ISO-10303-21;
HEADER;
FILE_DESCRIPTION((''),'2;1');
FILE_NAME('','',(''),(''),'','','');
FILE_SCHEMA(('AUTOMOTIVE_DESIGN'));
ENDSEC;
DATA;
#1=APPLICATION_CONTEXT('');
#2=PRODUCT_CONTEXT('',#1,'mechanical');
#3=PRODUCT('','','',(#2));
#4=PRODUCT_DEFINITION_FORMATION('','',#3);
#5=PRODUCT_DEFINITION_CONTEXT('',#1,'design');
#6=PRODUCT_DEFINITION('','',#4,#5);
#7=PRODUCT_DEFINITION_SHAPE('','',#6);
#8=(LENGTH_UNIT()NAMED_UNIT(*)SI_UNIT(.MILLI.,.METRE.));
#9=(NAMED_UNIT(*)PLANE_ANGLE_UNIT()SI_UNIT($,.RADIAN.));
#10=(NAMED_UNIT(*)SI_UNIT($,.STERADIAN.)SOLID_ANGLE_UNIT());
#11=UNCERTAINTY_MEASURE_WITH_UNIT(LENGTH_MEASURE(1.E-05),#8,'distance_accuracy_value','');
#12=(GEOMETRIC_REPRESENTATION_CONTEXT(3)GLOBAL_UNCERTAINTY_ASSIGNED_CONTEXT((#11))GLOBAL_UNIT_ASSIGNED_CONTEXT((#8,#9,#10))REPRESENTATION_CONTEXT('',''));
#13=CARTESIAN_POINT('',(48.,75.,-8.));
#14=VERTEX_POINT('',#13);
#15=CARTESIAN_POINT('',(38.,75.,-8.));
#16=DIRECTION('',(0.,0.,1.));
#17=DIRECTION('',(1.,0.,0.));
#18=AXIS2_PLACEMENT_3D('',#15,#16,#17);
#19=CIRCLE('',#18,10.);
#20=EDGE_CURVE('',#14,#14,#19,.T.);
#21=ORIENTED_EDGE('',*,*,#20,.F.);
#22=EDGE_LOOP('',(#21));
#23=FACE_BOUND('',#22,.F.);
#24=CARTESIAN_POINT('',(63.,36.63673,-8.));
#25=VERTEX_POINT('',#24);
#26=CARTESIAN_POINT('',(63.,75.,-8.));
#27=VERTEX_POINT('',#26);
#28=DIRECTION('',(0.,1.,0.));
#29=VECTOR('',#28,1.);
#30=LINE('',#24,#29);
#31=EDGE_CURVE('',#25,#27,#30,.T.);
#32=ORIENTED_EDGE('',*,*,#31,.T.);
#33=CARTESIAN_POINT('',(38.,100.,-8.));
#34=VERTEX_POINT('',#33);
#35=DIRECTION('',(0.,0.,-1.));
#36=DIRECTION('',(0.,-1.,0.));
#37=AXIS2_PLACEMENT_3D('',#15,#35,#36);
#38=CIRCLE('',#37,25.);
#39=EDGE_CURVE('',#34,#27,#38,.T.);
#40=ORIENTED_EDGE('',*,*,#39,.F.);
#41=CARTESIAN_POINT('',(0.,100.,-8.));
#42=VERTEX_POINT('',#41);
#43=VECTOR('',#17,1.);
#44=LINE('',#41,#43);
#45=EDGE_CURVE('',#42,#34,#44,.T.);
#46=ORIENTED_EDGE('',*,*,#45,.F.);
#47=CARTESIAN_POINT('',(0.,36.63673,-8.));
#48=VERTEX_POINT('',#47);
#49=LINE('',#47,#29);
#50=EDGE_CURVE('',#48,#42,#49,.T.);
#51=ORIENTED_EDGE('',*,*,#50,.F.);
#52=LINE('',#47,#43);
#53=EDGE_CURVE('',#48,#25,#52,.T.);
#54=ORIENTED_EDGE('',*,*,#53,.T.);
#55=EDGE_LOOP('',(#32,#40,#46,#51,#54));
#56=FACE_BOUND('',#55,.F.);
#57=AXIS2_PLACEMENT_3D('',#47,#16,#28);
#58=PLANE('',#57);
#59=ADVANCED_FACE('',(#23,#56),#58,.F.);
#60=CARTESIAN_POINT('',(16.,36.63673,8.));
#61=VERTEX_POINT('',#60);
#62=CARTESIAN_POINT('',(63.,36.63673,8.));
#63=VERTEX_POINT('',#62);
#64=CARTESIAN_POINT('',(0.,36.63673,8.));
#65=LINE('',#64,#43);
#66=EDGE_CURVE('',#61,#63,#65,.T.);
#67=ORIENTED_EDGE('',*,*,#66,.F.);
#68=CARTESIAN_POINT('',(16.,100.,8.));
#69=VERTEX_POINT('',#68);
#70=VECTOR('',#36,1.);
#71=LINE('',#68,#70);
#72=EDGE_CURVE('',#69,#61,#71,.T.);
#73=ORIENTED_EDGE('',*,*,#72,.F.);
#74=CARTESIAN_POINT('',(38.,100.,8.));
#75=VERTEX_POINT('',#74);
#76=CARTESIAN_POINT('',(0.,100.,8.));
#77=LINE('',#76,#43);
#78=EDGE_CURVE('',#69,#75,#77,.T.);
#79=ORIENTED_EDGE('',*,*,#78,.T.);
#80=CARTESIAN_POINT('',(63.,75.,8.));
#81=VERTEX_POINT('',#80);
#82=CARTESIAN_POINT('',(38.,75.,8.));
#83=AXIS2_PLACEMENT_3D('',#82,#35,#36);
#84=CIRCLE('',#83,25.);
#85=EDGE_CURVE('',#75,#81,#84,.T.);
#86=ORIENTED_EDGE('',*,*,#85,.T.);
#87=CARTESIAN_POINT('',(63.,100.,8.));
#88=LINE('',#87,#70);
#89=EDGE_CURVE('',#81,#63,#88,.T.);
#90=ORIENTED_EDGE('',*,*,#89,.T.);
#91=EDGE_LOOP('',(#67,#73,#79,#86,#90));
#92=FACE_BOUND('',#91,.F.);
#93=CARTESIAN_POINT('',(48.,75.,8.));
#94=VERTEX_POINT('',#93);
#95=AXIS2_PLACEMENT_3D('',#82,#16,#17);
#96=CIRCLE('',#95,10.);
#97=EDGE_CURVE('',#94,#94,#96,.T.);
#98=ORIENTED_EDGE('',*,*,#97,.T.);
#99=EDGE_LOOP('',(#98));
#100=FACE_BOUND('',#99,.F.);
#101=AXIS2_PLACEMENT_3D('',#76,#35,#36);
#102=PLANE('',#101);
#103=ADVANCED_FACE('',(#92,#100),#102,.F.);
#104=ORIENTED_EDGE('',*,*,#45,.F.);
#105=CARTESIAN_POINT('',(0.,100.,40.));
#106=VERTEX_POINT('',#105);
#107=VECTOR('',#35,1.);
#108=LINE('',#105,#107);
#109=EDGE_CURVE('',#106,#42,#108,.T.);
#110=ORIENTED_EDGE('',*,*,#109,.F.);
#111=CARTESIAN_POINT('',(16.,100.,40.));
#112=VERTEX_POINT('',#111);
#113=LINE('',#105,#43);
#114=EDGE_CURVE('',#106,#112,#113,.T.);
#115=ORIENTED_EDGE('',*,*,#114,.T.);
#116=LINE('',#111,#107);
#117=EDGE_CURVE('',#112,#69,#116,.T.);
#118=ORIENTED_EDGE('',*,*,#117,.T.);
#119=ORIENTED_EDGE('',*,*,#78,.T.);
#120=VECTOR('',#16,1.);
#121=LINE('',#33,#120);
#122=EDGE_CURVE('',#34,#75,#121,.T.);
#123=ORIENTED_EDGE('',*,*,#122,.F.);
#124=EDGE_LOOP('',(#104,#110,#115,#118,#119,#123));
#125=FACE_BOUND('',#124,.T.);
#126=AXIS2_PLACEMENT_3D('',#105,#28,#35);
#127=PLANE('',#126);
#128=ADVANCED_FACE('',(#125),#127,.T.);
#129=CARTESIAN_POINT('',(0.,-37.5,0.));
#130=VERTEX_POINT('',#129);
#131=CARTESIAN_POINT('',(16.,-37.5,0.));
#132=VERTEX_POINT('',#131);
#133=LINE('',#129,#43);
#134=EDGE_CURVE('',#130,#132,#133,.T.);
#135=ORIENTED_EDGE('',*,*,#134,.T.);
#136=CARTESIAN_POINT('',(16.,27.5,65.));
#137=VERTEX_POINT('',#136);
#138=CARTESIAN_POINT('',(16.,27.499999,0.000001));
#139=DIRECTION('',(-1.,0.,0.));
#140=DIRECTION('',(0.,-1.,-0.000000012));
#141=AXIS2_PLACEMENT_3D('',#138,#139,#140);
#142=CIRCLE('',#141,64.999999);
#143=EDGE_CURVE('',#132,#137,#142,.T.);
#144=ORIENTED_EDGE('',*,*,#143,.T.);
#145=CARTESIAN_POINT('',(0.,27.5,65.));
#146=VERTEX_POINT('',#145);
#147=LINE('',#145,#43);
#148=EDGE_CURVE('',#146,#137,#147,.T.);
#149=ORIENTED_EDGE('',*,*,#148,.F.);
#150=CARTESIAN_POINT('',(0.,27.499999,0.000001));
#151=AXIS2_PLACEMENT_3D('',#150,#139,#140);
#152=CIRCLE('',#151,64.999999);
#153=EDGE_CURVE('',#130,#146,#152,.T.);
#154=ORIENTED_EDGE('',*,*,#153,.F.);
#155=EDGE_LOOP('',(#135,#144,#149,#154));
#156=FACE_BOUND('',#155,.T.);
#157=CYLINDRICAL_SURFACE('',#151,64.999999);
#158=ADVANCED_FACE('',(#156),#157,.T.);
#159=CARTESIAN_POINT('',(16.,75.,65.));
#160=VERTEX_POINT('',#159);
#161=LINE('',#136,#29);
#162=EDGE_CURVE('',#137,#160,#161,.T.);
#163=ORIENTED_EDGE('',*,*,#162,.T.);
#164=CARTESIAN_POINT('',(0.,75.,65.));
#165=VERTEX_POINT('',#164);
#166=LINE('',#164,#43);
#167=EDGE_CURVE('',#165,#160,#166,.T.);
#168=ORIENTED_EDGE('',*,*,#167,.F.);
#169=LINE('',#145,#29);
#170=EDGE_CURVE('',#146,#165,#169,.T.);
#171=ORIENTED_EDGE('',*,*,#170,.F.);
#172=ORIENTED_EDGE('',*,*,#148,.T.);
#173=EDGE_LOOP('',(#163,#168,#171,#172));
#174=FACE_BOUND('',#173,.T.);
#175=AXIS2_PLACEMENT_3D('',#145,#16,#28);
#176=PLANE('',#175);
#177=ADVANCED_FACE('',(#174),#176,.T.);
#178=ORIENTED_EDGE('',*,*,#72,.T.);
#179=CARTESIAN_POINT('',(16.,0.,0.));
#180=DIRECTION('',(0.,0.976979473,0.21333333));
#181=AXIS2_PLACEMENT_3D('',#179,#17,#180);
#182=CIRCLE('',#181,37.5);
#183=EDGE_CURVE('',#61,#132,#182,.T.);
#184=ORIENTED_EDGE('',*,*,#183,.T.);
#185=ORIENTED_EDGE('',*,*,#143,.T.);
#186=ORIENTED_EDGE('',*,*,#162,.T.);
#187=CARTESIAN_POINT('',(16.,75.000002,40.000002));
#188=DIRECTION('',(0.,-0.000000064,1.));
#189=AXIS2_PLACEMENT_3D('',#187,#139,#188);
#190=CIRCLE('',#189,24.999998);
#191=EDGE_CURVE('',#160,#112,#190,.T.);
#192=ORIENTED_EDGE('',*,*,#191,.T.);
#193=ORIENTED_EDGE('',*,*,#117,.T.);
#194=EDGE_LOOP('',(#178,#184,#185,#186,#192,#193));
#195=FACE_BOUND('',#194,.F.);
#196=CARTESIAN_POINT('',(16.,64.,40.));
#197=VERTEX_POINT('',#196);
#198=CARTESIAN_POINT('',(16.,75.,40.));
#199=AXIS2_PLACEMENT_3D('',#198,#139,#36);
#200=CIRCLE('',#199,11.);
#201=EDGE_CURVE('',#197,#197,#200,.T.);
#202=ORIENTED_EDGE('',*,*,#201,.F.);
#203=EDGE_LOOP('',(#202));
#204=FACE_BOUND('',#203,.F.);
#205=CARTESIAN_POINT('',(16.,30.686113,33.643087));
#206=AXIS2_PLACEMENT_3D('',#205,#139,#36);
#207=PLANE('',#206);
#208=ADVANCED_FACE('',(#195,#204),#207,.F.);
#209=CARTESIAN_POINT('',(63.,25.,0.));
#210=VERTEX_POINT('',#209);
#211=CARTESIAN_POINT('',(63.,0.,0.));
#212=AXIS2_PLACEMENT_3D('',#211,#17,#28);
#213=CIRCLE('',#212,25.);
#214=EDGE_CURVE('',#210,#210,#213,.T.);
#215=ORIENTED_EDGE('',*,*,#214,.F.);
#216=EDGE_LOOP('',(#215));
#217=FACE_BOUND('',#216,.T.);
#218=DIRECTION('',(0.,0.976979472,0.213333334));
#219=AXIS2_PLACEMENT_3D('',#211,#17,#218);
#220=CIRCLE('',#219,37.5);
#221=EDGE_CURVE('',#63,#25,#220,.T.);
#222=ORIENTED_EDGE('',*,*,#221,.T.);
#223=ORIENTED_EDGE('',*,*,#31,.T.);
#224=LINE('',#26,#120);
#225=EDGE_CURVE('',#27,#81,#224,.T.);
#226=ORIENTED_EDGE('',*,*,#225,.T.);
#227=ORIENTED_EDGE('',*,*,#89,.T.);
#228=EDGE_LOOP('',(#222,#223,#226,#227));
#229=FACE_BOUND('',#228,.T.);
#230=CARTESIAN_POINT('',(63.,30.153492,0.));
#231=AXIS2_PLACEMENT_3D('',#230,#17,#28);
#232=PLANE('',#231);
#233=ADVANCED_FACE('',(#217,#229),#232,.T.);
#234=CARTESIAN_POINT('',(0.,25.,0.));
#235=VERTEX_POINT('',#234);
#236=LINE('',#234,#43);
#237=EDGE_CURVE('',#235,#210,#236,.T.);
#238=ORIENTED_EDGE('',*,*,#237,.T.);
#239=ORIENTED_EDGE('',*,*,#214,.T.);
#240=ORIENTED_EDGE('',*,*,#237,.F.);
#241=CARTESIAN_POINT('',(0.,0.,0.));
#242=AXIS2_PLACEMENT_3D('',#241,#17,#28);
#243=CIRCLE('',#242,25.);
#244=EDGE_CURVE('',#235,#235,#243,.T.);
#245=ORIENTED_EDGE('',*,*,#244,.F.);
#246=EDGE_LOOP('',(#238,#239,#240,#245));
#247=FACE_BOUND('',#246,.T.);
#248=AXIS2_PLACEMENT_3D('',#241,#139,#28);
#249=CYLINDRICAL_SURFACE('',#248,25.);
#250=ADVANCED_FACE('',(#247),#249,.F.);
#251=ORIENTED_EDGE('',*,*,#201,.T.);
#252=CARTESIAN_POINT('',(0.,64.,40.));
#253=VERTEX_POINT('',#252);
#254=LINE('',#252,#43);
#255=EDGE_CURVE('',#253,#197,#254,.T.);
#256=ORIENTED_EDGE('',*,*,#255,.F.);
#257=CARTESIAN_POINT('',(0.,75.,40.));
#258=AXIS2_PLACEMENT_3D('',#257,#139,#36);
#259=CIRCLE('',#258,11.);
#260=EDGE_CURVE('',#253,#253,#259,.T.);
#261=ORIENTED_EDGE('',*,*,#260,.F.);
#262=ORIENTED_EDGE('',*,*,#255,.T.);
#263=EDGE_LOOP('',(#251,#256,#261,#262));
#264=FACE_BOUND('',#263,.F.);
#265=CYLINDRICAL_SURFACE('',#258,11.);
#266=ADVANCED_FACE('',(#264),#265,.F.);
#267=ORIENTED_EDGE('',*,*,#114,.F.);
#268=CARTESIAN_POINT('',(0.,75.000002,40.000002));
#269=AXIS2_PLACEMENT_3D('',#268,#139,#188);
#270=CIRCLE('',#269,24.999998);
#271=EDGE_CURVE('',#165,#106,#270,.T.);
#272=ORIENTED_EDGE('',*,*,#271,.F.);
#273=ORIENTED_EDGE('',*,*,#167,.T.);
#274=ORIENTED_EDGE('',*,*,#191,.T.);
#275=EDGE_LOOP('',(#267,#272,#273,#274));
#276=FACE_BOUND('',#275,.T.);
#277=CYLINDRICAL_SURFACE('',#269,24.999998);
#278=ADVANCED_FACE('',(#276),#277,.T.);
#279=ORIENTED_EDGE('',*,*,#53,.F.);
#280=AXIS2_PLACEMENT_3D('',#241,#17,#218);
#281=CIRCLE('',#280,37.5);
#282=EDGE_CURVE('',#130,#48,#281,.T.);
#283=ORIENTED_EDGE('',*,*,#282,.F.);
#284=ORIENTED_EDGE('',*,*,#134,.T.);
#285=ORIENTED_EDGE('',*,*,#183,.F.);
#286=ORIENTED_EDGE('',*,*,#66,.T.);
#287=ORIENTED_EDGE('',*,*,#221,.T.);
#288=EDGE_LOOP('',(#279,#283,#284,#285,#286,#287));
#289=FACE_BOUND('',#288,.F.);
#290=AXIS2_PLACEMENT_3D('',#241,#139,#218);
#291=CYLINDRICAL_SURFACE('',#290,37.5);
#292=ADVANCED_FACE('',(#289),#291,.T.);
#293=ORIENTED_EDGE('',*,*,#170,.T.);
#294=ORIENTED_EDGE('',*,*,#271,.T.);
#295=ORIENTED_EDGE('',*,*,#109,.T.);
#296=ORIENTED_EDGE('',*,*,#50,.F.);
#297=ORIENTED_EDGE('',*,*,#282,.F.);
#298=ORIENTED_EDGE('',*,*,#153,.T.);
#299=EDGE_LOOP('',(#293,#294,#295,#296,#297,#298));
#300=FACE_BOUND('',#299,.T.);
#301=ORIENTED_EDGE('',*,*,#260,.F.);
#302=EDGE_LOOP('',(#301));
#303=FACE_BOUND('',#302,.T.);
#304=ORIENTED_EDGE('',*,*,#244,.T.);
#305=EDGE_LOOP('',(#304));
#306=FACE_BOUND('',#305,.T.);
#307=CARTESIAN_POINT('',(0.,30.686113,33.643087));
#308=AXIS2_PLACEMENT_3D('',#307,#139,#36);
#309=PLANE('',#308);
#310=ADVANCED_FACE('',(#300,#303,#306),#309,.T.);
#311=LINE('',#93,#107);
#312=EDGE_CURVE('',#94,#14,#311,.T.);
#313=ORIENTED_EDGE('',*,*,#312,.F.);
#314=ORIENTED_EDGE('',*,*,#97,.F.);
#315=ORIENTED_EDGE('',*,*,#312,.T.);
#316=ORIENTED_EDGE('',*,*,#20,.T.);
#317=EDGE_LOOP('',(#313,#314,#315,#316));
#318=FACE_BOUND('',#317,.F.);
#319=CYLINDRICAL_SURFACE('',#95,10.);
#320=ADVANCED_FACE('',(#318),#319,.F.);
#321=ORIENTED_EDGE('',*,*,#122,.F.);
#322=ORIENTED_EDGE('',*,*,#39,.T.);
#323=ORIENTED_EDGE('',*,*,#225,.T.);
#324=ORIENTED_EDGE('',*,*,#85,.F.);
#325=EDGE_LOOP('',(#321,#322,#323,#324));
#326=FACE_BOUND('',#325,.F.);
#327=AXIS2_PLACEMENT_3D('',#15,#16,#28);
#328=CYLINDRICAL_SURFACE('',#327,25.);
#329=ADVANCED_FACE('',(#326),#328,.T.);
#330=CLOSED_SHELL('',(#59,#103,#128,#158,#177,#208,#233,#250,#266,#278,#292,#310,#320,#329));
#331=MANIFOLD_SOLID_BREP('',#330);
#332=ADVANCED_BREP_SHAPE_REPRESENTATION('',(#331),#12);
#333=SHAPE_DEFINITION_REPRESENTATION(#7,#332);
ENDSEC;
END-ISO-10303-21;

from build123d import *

# Parameters (mm, degrees)
F0_R     = 25
F1_DEPTH = 63
F2_R     = 11
F3_DEPTH = 16
F4_R     = 10
F5_DEPTH = 100
F6_R     = 25


with BuildPart() as f1:
    # F0 (on Right) → F1 (new body)
    with BuildSketch(Plane.YZ):
        with BuildLine():
            Line((100, 8), (36.63673, 8))
            ThreePointArc((36.63673, 8), (-37.5, 0), (36.63673, -8))
            Line((36.63673, -8), (100, -8))
            Line((100, -8), (100, 8))
        make_face()
        Circle(F0_R, mode=Mode.SUBTRACT)
    extrude(amount=F1_DEPTH)

    # F2 (on face) → F3 (join)
    with BuildSketch(Plane(origin=(0, 0, 0), x_dir=(0, -1, 0), z_dir=(-1, 0, 0))):
        with BuildLine():
            Line((-27.5, 65), (-75, 65))
            ThreePointArc((-75, 65), (-92.67767, 57.67767), (-100, 40))
            Line((-100, 40), (-100, 8))
            Line((-100, 8), (-36.63673, 8))
            ThreePointArc((-36.63673, 8), (4.023221, 37.283558), (37.5, 0))
            ThreePointArc((37.5, 0), (18.461941, 45.961941), (-27.5, 65))
        make_face()
        with Locations((-75, 40)):
            Circle(F2_R, mode=Mode.SUBTRACT)
    extrude(amount=-F3_DEPTH)

    # F4 (on face) → F5 (cut)
    with BuildSketch(Plane.XY.offset(8)):
        with Locations((38, 75)):
            Circle(F4_R)
    extrude(amount=-F5_DEPTH, mode=Mode.SUBTRACT)

    # F6
    f6_edges = [f1.edges().sort_by_distance(p)[0] for p in [
        (63, 100, 0),
    ]]
    fillet(f6_edges, radius=F6_R)


solid = f1.part
